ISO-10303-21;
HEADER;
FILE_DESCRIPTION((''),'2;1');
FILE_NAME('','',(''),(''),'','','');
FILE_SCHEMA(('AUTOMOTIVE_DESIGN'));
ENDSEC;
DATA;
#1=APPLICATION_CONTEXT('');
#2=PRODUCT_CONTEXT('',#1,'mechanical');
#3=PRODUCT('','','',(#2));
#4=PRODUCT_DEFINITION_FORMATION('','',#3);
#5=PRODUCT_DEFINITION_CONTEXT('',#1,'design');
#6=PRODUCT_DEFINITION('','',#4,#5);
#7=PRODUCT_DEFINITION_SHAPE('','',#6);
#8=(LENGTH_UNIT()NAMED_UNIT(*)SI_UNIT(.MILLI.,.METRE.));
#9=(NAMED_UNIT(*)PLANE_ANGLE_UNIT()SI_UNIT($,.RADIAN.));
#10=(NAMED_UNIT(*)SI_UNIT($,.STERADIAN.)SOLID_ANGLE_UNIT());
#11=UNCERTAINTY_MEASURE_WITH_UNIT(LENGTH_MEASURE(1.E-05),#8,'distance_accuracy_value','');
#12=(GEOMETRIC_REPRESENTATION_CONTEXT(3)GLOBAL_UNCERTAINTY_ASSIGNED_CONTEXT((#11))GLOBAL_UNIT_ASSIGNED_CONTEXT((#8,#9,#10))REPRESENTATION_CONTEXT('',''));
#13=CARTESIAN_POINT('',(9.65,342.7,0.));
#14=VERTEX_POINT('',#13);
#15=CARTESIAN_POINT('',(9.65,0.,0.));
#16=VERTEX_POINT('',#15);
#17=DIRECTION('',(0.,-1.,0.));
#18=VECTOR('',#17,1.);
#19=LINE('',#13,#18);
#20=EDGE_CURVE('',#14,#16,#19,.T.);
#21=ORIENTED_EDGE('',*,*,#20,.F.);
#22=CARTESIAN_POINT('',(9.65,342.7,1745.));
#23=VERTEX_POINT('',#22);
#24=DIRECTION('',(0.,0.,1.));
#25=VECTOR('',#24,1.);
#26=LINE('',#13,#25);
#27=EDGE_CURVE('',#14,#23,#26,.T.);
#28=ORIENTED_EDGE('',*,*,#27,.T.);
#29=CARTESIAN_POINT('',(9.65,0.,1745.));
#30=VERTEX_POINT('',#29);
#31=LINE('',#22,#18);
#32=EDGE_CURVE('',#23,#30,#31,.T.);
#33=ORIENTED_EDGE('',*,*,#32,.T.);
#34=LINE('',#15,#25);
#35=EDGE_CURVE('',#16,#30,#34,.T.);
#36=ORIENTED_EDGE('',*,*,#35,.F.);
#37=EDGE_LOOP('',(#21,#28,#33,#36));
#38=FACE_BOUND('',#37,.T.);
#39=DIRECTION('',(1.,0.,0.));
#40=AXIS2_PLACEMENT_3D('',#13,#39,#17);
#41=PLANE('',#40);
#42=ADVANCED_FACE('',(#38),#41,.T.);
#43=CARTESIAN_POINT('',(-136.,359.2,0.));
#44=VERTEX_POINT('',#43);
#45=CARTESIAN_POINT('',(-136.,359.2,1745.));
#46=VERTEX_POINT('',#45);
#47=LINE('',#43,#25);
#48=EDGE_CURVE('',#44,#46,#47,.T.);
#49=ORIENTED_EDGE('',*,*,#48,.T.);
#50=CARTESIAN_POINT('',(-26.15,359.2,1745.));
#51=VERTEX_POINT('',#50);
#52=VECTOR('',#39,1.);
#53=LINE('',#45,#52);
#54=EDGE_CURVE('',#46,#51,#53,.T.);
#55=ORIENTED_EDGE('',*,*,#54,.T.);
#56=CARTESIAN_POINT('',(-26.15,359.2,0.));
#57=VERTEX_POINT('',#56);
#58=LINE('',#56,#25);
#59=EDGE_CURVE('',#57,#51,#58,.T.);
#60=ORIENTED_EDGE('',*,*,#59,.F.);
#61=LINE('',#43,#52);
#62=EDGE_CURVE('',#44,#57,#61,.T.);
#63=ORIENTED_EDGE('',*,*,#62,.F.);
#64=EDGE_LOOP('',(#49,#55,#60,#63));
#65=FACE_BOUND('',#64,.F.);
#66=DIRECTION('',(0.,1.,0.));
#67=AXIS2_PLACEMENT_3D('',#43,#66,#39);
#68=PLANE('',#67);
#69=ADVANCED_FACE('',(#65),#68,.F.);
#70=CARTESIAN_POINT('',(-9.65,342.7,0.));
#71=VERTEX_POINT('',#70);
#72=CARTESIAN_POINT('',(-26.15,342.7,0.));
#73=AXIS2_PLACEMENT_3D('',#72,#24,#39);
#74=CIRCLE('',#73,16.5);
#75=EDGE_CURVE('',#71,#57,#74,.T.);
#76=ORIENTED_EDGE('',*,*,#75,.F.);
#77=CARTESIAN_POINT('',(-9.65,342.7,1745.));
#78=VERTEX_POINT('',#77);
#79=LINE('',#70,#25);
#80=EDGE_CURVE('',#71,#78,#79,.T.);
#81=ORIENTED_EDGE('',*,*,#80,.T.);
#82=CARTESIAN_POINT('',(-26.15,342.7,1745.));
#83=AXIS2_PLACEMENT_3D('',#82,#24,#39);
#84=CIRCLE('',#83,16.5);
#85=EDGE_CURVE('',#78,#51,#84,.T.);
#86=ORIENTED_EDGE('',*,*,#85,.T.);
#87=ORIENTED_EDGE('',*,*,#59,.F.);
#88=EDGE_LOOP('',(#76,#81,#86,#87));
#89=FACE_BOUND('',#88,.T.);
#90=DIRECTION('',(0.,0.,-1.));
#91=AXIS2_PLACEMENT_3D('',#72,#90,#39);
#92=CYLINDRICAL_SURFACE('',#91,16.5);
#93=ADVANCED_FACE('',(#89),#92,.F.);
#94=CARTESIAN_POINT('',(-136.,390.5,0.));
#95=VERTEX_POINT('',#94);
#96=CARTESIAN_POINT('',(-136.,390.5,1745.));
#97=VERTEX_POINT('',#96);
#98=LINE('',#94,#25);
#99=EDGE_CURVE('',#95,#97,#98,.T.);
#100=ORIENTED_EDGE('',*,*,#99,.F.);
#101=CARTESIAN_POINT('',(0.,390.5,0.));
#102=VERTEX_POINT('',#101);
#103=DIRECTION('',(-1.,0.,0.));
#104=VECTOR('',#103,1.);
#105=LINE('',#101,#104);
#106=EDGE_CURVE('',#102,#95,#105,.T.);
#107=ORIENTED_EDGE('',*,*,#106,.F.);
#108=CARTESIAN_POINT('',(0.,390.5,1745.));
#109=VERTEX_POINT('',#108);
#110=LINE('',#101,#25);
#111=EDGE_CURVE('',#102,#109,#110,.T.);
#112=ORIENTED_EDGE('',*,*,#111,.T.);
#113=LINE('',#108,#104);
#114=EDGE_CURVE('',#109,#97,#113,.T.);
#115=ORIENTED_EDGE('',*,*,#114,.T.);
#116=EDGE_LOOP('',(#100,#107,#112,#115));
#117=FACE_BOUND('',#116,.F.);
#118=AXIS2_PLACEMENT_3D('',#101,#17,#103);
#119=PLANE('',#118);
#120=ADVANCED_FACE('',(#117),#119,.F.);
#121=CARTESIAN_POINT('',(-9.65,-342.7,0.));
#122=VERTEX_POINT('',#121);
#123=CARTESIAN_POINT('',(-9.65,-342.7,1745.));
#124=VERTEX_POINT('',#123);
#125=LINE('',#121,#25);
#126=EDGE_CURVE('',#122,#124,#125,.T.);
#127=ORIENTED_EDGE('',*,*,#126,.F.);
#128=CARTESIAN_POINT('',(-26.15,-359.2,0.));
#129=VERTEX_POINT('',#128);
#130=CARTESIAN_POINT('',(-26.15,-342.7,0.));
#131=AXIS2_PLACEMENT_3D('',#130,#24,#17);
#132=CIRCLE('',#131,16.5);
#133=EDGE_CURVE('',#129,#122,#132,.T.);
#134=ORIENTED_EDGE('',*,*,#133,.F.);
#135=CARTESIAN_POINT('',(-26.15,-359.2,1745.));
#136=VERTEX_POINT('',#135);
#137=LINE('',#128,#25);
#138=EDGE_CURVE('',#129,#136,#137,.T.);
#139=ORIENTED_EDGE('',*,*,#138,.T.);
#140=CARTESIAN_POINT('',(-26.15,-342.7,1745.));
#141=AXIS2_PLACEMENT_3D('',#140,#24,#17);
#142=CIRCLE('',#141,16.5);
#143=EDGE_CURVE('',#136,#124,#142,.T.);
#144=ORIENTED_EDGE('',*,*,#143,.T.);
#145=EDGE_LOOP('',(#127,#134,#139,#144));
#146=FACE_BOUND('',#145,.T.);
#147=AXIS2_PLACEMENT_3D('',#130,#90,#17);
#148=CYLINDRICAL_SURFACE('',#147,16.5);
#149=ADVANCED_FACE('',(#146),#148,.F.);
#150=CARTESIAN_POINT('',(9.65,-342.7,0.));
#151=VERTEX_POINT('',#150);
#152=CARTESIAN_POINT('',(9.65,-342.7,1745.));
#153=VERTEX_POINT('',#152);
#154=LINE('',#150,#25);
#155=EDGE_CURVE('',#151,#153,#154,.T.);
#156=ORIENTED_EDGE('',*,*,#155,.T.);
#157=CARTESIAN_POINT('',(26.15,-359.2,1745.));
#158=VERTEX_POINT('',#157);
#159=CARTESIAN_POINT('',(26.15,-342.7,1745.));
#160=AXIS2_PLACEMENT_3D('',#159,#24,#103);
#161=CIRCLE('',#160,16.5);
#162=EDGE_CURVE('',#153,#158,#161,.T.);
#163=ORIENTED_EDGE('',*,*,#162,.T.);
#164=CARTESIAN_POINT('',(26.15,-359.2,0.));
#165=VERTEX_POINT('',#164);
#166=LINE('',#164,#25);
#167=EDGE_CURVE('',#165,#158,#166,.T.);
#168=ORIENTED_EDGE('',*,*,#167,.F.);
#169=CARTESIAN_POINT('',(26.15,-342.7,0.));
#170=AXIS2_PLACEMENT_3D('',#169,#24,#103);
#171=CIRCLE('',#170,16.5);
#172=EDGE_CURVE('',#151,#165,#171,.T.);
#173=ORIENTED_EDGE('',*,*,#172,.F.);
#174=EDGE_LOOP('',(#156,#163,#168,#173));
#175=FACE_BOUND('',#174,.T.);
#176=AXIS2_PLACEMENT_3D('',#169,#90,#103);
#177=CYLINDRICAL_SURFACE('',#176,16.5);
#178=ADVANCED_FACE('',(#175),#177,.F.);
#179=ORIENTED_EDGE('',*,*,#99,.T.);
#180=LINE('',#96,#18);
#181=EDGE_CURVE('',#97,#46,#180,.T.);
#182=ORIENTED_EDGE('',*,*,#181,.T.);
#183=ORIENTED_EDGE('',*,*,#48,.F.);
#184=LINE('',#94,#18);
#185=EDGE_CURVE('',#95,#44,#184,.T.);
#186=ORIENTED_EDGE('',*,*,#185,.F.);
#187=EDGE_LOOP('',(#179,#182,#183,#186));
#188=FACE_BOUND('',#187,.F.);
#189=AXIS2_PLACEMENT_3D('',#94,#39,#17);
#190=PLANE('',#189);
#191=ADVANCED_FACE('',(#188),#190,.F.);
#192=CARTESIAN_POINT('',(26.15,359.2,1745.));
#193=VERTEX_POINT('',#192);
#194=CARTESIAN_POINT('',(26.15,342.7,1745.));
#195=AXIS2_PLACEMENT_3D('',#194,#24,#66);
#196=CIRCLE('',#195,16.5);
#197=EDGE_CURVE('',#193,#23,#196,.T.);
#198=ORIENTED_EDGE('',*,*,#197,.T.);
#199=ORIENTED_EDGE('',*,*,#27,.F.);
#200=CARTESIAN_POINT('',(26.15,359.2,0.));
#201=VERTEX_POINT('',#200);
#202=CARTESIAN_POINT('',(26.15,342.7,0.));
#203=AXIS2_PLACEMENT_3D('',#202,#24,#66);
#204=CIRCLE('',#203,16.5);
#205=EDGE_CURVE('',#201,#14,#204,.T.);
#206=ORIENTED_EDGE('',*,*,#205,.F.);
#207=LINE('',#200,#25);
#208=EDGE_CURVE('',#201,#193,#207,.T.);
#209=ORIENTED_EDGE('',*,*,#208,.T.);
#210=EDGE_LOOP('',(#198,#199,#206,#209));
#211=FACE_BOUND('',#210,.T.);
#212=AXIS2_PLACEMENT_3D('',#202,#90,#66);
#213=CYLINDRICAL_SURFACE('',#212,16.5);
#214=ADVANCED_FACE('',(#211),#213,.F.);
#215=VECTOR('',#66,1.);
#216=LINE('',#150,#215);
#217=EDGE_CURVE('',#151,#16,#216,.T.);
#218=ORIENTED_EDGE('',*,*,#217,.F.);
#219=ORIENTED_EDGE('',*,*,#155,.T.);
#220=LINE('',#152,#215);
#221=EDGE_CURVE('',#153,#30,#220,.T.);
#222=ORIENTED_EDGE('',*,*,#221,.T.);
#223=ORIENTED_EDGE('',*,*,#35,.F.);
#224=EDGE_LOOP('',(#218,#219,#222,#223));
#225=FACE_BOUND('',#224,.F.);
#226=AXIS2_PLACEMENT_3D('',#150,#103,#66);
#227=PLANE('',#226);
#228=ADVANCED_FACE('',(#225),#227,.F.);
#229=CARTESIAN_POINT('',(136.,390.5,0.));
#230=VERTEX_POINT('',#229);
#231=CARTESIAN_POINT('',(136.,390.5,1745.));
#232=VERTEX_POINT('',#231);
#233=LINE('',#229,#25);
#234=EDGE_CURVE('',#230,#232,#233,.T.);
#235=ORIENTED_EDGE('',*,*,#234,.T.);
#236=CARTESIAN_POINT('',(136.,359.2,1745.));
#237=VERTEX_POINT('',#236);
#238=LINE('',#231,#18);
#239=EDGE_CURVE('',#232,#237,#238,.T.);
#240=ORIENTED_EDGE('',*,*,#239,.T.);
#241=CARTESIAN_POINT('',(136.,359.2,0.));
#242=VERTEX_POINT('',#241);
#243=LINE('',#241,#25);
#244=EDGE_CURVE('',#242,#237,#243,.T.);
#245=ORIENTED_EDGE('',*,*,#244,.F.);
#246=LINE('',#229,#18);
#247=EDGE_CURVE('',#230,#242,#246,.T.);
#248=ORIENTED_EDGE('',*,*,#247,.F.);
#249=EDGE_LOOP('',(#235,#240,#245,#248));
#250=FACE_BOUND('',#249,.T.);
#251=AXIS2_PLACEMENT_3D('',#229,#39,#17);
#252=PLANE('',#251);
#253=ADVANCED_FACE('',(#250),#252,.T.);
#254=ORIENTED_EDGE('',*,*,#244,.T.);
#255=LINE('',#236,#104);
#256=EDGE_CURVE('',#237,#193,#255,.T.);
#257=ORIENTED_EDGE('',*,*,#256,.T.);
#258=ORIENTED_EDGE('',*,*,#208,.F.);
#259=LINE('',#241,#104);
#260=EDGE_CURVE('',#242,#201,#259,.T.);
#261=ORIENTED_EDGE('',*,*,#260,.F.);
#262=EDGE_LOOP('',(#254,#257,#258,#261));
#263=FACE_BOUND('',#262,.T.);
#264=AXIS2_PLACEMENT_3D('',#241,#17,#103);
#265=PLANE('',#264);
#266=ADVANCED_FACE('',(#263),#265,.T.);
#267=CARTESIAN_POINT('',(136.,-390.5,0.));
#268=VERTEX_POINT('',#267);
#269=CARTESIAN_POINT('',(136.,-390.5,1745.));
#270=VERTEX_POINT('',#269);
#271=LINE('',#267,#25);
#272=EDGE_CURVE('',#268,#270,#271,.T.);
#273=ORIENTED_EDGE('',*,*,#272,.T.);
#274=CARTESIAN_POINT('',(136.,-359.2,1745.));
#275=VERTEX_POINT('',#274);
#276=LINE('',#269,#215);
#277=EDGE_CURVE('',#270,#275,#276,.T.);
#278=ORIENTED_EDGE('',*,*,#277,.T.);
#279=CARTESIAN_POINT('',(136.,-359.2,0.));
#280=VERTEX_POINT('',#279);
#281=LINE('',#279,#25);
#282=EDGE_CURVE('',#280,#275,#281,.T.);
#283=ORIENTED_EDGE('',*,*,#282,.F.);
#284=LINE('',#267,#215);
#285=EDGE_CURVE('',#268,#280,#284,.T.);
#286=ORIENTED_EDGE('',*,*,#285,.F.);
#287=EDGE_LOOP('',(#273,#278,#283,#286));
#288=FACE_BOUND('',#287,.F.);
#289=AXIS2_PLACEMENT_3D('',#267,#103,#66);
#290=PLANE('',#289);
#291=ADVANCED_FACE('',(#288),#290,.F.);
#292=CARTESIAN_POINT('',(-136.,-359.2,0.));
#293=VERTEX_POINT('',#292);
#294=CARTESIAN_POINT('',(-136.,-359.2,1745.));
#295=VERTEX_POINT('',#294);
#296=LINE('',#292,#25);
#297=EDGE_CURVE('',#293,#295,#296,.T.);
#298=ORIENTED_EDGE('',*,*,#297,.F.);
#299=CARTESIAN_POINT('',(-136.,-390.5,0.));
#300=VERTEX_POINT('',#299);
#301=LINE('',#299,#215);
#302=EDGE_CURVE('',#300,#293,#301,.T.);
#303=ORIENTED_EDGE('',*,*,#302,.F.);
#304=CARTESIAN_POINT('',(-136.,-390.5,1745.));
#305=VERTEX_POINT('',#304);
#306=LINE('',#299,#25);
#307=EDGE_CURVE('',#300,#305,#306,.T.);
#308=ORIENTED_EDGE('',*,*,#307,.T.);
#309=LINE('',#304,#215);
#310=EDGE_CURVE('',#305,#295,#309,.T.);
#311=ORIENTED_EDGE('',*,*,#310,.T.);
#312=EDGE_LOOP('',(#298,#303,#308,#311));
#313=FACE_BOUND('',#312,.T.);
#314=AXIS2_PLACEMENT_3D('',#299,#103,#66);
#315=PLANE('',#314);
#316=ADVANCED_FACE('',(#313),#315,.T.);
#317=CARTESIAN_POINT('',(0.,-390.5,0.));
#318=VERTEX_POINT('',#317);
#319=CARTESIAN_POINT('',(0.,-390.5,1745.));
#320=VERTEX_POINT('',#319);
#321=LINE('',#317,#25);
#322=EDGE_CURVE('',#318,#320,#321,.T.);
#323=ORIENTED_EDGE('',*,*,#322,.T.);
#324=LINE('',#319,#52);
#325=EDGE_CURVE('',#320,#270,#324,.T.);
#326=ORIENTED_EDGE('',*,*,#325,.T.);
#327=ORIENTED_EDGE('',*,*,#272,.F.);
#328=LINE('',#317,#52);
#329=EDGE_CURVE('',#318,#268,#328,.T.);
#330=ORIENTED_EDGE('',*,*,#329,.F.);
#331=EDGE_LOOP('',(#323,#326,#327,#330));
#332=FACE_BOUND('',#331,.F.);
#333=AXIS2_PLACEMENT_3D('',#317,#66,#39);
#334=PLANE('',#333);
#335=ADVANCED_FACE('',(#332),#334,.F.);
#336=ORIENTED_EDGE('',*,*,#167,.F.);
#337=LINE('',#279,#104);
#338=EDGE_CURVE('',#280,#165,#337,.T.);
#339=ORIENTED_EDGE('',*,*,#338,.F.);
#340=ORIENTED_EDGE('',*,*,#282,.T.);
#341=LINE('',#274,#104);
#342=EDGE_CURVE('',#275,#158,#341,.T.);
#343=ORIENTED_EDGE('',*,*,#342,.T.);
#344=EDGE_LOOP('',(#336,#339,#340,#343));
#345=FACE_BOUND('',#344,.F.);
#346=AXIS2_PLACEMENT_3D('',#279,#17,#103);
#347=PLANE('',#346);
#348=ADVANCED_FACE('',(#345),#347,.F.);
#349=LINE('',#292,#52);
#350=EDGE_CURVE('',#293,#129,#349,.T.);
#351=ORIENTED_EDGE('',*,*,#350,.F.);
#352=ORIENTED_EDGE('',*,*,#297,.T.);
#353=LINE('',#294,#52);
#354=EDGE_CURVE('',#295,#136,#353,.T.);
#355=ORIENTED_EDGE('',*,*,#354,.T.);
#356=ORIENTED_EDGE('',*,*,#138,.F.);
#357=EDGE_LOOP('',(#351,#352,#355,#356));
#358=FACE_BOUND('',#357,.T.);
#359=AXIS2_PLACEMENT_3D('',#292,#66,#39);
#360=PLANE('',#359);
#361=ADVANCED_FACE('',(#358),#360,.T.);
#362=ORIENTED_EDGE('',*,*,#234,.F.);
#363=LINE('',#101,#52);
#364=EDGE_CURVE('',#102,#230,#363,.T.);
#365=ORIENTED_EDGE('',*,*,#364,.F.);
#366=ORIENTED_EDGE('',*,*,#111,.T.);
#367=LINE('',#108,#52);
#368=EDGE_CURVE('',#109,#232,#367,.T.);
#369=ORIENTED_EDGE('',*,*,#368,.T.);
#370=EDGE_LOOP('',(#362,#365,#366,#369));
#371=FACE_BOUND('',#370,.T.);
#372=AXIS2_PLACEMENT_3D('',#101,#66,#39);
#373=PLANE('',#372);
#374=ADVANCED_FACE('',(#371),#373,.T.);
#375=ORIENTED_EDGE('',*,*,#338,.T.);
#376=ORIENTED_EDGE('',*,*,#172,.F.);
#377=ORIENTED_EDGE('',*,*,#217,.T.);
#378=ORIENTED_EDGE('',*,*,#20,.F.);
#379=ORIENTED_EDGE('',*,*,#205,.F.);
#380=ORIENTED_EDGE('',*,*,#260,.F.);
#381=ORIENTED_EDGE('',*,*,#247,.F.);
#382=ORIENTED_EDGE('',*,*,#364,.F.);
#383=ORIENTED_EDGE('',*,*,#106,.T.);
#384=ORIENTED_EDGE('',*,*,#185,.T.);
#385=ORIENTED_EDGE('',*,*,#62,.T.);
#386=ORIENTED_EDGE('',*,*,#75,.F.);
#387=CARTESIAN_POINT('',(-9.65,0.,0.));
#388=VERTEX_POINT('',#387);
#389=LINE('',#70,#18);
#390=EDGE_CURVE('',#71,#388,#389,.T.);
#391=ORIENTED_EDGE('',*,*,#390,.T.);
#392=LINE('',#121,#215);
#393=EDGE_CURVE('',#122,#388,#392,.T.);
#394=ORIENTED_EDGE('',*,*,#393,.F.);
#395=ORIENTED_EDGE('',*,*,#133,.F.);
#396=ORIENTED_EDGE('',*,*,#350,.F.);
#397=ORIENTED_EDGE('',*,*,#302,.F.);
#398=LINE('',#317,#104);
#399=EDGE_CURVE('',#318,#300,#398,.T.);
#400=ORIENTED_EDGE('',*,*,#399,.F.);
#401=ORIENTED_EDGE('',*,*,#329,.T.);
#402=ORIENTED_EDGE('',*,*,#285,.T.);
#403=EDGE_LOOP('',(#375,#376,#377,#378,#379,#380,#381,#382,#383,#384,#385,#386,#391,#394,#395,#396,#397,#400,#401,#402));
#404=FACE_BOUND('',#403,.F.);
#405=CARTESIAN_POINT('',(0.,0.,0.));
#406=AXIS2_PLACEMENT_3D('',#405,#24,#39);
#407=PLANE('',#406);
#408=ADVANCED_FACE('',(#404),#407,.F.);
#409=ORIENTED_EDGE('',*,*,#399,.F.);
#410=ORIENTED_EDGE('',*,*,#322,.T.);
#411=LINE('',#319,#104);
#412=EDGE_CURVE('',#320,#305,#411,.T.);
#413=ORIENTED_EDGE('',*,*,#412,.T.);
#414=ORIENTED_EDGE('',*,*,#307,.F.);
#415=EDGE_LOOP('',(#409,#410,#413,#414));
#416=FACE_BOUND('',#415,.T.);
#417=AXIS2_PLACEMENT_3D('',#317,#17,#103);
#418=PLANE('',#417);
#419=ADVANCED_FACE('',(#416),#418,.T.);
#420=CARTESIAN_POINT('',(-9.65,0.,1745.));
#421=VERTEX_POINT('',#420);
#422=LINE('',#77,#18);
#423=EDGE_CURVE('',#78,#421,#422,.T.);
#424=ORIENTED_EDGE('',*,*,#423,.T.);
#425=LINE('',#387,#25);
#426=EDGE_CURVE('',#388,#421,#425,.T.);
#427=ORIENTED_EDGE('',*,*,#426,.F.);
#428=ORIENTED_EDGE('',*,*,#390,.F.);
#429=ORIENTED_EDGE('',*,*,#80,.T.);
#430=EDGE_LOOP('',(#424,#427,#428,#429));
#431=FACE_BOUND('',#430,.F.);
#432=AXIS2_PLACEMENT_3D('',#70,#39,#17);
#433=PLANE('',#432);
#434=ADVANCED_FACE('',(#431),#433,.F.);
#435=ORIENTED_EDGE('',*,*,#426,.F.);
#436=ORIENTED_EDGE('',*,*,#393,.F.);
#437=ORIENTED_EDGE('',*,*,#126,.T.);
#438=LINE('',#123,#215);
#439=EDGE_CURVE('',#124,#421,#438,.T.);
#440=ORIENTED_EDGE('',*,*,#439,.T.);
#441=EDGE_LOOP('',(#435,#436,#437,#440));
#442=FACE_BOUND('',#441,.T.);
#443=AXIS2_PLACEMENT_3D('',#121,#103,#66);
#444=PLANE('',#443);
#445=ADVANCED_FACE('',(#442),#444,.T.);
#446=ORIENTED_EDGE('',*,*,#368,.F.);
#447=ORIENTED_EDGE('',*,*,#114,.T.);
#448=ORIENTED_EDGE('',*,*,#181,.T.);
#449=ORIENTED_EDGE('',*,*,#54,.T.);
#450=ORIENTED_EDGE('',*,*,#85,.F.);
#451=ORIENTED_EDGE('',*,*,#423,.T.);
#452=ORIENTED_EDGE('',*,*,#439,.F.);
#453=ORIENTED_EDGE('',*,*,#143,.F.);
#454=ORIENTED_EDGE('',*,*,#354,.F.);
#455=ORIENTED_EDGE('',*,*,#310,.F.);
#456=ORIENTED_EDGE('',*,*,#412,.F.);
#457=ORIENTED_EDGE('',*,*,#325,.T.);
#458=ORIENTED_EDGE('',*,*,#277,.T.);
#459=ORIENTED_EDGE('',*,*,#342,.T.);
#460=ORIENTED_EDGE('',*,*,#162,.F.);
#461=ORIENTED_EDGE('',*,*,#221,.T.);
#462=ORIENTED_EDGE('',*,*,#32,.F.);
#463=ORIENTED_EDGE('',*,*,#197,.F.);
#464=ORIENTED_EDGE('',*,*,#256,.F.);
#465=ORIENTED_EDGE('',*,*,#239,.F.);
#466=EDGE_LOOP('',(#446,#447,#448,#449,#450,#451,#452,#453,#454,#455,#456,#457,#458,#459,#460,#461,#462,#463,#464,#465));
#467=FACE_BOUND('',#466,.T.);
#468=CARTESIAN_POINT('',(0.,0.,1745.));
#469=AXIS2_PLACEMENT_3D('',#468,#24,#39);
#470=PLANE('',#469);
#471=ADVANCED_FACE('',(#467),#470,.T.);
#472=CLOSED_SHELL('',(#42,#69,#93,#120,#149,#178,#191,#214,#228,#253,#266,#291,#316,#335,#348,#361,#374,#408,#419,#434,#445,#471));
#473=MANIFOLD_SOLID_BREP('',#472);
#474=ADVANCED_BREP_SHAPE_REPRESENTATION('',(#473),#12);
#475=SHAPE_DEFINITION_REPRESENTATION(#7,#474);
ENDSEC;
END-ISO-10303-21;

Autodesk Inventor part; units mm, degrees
ref_plane "YZ Plane" through (0, 0, 0) normal (1, 0, 0) x (0, 1, 0)
ref_plane "Start plane" through (0, 0, 0) normal (0, 0, 1) x (1, 0, 0)
ref_plane "End plane" through (0, 0, 1745) normal (0, 0, 1) x (1, 0, 0)
sketch "Sketch" plane through (0, 0, 0) normal (0, 0, 1) x (1, 0, 0)
  line L0 (-136, -390.5) -> (-136, -359.2)
  line L1 (-136, -359.2) -> (-26.15, -359.2)
  line L2 (-9.65, -342.7) -> (-9.65, 0)
  line L3 (-9.65, 0) -> (0, 0) construction
  line L4 (0, 0) -> (0, -390.5) construction
  line L5 (0, -390.5) -> (-136, -390.5)
  line L6 (-60, 0) -> (80, 0) construction
  line L7 (0, -60) -> (0, 80) construction
  line L8 (136, -390.5) -> (136, -359.2)
  line L9 (136, -359.2) -> (26.15, -359.2)
  line L10 (9.65, -342.7) -> (9.65, 0)
  line L11 (9.65, 0) -> (0, 0) construction
  line L12 (0, -390.5) -> (136, -390.5)
  line L13 (-136, 390.5) -> (-136, 359.2)
  line L14 (-136, 359.2) -> (-26.15, 359.2)
  line L15 (-9.65, 342.7) -> (-9.65, 0)
  line L16 (0, 390.5) -> (-136, 390.5)
  line L17 (136, 390.5) -> (136, 359.2)
  line L18 (136, 359.2) -> (26.15, 359.2)
  line L19 (0, 390.5) -> (136, 390.5)
  line L20 (9.65, 342.7) -> (9.65, 0)
  arc A0 (-9.65, 342.7) -> (-26.15, 359.2) centre (-26.15, 342.7) ccw
  arc A1 (26.15, 359.2) -> (9.65, 342.7) centre (26.15, 342.7) ccw
  arc A2 (9.65, -342.7) -> (26.15, -359.2) centre (26.15, -342.7) ccw
  arc A3 (-26.15, -359.2) -> (-9.65, -342.7) centre (-26.15, -342.7) ccw
  line L21 (0, 108) -> (0, -88) construction
  line L22 (-88, 0) -> (108, 0) construction
  point P0 (-9.65, -359.2)
  point P1 (9.65, -359.2)
  point P2 (-9.65, 359.2)
  point P3 (9.65, 359.2)
  dimension "d1" = 390.5
  dimension "d2" = 31.3
  dimension "d3" = 136
  dimension "d4" = 9.65
  dimension "d10" = 16.5
extrude "Body" add sketch "Sketch" along normal up to surface (1745 mm away) from surface at 0
sketch "Sketch4" plane through (0, 0, 0) normal (0, 0, 1) x (1, 0, 0)
  line L0 (0, 0) -> (10, 0)
ref_plane "Work Plane3" through (0, 0, 0) normal (0, -1, 0) x (1, 0, 0)
sketch "Sketch5" plane through (0, 0, 0) normal (0, -1, 0) x (1, 0, 0)
  line L0 (-2, 0) -> (12, 0) projected
  line L1 (-2, 1745) -> (12, 1745) projected
  dimension "d14" = 1745
equation "\"d1\" = 0.5 * G_H"
equation "\"d2\" = G_T1"
equation "\"d3\" = 0.5 * G_W"
equation "\"d4\" = 0.5 * G_T"
equation "\"d10\" = G_IR"
equation "\"d5\" = G_L"
equation "\"G_W\" = 272"
equation "\"G_H\" = 781"
equation "\"G_T\" = 19.3"
equation "\"G_T1\" = 31.3"
equation "\"G_IR\" = 16.5"
equation "\"G_L\" = d14"
equation "\"G_OFFSET_START\" = 0"
equation "\"G_OFFSET_END\" = 0"
equation "\"d12\" = G_OFFSET_END + B_L"
equation "\"B_L\" = 1745"
properties part number "AS 3679-1990 - 760 UB - 244 - 1745" material "Steel, Mild"
